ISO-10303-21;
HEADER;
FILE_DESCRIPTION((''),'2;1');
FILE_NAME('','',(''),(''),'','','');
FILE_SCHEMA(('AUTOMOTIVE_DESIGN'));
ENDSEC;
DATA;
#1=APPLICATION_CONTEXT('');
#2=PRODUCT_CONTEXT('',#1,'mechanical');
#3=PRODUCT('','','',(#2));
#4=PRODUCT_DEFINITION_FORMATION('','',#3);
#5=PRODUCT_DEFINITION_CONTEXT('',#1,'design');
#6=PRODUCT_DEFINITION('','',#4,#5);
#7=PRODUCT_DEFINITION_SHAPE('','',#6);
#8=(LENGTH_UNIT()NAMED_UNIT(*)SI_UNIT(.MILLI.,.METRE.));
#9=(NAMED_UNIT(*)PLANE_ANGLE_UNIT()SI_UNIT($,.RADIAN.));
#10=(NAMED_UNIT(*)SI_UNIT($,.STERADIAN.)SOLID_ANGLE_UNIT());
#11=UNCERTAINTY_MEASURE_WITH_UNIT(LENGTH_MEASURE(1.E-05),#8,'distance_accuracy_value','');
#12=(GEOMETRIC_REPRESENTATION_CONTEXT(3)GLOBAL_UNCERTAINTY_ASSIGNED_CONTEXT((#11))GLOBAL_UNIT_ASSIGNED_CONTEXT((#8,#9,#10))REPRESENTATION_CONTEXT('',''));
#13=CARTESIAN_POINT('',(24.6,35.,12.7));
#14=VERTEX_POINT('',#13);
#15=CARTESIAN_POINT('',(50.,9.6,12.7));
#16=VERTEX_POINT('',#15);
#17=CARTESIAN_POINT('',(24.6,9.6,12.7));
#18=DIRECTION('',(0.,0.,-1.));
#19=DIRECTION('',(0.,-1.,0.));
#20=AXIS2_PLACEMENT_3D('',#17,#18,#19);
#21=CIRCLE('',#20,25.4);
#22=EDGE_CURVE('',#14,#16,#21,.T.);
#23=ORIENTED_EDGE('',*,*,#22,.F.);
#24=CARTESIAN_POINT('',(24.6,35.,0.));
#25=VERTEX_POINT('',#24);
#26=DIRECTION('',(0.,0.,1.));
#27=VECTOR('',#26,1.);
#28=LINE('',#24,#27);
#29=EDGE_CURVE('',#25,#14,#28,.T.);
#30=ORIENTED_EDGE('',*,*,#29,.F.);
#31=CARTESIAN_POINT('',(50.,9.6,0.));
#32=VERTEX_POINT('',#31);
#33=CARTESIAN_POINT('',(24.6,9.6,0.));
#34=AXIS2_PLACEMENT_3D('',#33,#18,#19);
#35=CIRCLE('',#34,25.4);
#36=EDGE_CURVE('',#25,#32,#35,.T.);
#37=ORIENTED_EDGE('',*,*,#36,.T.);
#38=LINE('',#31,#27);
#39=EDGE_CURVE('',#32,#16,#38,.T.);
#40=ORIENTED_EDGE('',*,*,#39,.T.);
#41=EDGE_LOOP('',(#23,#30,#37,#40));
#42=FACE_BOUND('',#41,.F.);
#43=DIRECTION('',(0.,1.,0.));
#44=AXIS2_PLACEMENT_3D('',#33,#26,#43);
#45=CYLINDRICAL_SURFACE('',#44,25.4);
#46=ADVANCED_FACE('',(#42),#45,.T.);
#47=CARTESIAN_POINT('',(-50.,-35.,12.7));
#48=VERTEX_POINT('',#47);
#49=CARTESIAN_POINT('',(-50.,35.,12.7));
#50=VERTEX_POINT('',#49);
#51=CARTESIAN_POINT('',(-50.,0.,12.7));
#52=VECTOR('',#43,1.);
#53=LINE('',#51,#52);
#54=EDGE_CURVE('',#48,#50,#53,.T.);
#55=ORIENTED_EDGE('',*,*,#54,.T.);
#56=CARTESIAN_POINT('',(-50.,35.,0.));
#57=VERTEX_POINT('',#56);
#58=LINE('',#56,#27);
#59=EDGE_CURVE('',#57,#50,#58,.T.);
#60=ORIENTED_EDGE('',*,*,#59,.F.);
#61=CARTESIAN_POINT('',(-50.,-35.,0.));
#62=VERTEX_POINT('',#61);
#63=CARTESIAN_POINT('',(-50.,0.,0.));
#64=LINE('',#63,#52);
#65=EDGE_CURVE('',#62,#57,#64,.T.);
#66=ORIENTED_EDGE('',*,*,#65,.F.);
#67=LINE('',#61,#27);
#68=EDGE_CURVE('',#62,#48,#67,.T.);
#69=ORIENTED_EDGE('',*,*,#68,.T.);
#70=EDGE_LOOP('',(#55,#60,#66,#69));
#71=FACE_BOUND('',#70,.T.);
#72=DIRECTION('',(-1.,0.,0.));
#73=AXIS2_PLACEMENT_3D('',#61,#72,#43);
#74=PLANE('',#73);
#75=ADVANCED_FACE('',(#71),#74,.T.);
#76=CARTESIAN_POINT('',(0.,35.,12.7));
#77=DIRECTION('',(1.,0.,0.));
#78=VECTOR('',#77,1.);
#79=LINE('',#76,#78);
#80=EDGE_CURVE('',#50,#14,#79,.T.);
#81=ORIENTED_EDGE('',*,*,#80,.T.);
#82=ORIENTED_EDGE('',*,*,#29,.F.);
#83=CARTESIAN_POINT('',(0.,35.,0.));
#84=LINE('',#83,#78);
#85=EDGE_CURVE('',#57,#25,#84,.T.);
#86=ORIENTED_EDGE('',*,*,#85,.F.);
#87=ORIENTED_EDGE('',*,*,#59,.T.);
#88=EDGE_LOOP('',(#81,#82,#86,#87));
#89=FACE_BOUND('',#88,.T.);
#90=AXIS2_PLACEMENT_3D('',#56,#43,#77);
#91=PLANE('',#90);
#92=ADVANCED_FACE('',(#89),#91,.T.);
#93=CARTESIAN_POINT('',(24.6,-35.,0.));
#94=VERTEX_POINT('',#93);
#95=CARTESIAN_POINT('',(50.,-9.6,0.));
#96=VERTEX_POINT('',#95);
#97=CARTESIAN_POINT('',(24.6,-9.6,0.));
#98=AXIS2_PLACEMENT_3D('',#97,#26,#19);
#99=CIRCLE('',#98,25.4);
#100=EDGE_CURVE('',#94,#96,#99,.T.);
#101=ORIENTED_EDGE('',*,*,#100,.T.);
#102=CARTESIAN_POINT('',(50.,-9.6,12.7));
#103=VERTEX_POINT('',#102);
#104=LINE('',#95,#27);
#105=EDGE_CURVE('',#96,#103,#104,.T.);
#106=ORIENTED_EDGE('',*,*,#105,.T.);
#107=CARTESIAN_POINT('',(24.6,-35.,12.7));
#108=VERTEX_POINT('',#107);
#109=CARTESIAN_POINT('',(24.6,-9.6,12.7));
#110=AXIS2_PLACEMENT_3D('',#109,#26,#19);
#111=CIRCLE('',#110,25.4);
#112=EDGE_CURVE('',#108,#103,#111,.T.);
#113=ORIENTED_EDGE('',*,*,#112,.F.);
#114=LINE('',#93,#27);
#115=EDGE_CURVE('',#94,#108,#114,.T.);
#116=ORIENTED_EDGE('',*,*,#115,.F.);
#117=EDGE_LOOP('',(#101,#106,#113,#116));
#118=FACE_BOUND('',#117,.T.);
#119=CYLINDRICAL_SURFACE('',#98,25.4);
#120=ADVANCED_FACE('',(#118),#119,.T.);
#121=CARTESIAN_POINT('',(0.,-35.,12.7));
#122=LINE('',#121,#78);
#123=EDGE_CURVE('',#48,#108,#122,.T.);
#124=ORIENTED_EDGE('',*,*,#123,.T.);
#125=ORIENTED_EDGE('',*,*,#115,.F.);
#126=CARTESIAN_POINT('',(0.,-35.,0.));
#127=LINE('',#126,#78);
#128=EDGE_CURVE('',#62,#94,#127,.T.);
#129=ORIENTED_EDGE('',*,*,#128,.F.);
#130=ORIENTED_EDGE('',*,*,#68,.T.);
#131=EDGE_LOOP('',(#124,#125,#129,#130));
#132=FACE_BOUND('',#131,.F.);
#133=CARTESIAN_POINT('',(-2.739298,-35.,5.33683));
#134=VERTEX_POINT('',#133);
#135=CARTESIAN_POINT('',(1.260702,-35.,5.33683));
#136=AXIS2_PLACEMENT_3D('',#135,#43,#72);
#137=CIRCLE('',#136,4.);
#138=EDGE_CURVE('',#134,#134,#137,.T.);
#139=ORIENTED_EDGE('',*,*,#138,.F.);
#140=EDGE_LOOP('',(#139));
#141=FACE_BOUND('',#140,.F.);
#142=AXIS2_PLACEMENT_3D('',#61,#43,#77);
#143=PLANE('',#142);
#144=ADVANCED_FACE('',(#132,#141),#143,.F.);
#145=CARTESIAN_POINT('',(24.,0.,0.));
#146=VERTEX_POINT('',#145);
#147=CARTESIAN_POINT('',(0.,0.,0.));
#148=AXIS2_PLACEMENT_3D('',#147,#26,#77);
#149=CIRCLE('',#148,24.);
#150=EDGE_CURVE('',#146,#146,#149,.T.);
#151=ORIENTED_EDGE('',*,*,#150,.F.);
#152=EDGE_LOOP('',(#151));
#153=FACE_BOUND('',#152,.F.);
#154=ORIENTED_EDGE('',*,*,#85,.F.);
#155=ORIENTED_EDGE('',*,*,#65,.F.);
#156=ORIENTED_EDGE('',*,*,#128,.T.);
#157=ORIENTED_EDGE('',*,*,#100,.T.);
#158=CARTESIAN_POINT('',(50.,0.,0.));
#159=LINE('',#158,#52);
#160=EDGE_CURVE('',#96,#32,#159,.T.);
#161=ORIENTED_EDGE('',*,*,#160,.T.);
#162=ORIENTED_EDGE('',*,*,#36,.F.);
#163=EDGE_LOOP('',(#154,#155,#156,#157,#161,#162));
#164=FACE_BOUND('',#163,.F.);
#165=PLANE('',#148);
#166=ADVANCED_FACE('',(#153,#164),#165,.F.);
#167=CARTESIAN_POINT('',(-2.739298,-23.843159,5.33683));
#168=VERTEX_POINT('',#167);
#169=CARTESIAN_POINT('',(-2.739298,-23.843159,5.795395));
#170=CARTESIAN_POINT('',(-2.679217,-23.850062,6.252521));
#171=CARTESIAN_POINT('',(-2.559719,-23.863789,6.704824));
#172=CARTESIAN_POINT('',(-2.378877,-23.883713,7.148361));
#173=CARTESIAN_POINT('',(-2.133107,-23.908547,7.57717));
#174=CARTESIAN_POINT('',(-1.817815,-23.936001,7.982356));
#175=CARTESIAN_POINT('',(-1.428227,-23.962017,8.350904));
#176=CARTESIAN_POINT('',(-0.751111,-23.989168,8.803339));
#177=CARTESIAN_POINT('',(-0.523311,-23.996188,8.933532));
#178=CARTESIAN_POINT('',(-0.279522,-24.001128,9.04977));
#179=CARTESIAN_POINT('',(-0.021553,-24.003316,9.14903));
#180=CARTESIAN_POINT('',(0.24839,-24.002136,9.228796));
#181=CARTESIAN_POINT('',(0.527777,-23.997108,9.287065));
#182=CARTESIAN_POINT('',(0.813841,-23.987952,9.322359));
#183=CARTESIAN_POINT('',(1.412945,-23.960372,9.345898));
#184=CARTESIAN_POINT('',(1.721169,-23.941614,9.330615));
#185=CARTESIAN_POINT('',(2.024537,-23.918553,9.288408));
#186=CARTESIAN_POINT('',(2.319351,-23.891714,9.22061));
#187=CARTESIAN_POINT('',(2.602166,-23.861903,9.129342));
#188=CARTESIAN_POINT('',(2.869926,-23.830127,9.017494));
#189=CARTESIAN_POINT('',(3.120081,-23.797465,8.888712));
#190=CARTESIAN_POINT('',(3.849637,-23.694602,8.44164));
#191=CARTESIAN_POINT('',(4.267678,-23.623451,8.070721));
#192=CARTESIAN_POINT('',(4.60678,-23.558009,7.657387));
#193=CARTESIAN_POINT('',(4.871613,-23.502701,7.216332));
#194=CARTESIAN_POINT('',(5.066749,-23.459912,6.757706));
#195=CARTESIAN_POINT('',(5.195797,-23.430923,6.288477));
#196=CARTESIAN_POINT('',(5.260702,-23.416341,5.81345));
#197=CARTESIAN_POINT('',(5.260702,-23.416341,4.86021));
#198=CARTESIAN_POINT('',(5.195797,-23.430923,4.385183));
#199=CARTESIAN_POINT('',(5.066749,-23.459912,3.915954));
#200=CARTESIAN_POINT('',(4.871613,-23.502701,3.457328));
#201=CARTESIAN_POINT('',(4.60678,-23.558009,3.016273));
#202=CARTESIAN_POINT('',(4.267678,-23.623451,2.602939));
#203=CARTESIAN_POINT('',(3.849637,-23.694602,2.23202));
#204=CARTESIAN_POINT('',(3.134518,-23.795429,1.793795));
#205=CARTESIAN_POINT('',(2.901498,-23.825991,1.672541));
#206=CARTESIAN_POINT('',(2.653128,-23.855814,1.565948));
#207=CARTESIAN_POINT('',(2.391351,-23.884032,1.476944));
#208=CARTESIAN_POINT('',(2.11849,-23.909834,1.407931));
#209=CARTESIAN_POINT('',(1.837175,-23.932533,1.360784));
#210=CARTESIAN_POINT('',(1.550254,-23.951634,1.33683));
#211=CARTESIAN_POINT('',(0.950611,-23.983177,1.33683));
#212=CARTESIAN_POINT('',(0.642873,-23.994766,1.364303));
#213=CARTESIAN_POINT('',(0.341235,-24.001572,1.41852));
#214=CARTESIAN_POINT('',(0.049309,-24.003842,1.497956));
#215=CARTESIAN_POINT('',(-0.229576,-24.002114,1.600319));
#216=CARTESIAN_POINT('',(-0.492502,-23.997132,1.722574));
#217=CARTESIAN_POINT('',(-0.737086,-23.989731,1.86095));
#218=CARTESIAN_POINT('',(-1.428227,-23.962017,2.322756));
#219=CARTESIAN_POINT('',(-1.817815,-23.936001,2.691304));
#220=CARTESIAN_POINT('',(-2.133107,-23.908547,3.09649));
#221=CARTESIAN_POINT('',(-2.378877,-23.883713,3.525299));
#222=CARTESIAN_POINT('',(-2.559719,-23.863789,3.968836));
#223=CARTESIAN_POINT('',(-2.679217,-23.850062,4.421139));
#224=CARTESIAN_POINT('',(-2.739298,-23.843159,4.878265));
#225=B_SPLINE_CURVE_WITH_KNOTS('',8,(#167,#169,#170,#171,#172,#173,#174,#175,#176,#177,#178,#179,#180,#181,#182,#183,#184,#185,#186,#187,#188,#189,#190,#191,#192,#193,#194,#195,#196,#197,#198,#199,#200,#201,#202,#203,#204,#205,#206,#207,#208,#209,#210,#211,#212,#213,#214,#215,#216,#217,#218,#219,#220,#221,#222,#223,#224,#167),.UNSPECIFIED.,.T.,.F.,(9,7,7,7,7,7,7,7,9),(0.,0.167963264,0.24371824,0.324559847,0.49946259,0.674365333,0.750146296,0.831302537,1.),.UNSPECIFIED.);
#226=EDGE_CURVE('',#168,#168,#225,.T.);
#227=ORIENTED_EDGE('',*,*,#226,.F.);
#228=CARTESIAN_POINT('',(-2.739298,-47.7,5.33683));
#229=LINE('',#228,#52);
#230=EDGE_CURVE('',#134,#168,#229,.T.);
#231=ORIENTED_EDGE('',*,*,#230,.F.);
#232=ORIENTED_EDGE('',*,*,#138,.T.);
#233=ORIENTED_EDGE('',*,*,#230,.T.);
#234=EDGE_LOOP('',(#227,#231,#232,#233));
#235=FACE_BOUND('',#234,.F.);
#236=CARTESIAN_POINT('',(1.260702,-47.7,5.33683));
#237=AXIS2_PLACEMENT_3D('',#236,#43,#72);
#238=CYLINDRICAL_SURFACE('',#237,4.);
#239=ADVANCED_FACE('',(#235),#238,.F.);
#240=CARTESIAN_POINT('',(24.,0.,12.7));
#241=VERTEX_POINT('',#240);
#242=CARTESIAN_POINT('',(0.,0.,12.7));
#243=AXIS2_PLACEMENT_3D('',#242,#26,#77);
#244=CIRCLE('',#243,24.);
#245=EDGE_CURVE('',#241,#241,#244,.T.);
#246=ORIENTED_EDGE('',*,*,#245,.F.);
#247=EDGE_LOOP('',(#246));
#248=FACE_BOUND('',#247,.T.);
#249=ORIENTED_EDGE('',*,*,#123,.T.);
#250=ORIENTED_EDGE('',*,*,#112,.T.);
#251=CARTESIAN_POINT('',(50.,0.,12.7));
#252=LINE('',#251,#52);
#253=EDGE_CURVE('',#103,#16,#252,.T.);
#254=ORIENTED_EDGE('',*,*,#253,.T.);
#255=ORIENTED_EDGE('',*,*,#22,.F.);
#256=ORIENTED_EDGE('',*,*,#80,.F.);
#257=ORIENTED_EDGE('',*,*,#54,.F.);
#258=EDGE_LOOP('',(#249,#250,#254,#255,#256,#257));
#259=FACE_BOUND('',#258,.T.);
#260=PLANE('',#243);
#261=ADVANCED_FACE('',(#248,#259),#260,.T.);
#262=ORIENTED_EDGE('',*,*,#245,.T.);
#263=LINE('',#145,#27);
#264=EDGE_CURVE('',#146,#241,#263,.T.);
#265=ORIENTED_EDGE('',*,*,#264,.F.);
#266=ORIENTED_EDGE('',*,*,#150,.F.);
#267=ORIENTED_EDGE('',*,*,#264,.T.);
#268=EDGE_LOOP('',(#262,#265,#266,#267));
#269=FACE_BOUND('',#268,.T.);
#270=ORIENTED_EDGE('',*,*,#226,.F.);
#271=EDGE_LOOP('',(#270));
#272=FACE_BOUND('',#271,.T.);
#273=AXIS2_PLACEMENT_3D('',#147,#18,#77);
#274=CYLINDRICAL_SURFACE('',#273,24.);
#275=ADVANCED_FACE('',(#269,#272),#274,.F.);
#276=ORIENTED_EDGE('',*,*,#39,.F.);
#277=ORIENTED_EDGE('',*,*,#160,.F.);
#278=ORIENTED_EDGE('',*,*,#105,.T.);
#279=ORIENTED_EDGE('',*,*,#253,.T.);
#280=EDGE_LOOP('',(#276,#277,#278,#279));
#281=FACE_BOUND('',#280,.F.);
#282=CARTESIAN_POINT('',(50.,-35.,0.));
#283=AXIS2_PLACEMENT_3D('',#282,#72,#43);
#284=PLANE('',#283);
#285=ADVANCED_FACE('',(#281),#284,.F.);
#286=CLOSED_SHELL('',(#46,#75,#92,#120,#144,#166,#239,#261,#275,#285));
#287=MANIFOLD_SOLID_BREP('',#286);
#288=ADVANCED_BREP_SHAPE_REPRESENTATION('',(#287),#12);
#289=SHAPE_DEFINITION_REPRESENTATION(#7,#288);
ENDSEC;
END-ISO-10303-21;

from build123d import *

# Parameters (mm, degrees)
F0_W     = 100
F0_H     = 70
F0_R     = 24
F1_DEPTH = 12.7
F2_R     = 25.4
F4_D     = 8
F4_DEPTH = 12.7


with BuildPart() as f1:
    # F0 (on Top) → F1 (new body)
    with BuildSketch(Plane.XY):
        Rectangle(F0_W, F0_H)
        Circle(F0_R, mode=Mode.SUBTRACT)
    extrude(amount=F1_DEPTH)

    # F2
    f2_edges = [f1.edges().sort_by_distance(p)[0] for p in [
        (50, -35, 6.35),
        (50, 35, 6.35),
    ]]
    fillet(f2_edges, radius=F2_R)

    # F4
    with Locations(Plane.XZ.offset(35)):
        with Locations((1.260702, 5.33683)):
            Hole(F4_D / 2, depth=F4_DEPTH)


solid = f1.part
